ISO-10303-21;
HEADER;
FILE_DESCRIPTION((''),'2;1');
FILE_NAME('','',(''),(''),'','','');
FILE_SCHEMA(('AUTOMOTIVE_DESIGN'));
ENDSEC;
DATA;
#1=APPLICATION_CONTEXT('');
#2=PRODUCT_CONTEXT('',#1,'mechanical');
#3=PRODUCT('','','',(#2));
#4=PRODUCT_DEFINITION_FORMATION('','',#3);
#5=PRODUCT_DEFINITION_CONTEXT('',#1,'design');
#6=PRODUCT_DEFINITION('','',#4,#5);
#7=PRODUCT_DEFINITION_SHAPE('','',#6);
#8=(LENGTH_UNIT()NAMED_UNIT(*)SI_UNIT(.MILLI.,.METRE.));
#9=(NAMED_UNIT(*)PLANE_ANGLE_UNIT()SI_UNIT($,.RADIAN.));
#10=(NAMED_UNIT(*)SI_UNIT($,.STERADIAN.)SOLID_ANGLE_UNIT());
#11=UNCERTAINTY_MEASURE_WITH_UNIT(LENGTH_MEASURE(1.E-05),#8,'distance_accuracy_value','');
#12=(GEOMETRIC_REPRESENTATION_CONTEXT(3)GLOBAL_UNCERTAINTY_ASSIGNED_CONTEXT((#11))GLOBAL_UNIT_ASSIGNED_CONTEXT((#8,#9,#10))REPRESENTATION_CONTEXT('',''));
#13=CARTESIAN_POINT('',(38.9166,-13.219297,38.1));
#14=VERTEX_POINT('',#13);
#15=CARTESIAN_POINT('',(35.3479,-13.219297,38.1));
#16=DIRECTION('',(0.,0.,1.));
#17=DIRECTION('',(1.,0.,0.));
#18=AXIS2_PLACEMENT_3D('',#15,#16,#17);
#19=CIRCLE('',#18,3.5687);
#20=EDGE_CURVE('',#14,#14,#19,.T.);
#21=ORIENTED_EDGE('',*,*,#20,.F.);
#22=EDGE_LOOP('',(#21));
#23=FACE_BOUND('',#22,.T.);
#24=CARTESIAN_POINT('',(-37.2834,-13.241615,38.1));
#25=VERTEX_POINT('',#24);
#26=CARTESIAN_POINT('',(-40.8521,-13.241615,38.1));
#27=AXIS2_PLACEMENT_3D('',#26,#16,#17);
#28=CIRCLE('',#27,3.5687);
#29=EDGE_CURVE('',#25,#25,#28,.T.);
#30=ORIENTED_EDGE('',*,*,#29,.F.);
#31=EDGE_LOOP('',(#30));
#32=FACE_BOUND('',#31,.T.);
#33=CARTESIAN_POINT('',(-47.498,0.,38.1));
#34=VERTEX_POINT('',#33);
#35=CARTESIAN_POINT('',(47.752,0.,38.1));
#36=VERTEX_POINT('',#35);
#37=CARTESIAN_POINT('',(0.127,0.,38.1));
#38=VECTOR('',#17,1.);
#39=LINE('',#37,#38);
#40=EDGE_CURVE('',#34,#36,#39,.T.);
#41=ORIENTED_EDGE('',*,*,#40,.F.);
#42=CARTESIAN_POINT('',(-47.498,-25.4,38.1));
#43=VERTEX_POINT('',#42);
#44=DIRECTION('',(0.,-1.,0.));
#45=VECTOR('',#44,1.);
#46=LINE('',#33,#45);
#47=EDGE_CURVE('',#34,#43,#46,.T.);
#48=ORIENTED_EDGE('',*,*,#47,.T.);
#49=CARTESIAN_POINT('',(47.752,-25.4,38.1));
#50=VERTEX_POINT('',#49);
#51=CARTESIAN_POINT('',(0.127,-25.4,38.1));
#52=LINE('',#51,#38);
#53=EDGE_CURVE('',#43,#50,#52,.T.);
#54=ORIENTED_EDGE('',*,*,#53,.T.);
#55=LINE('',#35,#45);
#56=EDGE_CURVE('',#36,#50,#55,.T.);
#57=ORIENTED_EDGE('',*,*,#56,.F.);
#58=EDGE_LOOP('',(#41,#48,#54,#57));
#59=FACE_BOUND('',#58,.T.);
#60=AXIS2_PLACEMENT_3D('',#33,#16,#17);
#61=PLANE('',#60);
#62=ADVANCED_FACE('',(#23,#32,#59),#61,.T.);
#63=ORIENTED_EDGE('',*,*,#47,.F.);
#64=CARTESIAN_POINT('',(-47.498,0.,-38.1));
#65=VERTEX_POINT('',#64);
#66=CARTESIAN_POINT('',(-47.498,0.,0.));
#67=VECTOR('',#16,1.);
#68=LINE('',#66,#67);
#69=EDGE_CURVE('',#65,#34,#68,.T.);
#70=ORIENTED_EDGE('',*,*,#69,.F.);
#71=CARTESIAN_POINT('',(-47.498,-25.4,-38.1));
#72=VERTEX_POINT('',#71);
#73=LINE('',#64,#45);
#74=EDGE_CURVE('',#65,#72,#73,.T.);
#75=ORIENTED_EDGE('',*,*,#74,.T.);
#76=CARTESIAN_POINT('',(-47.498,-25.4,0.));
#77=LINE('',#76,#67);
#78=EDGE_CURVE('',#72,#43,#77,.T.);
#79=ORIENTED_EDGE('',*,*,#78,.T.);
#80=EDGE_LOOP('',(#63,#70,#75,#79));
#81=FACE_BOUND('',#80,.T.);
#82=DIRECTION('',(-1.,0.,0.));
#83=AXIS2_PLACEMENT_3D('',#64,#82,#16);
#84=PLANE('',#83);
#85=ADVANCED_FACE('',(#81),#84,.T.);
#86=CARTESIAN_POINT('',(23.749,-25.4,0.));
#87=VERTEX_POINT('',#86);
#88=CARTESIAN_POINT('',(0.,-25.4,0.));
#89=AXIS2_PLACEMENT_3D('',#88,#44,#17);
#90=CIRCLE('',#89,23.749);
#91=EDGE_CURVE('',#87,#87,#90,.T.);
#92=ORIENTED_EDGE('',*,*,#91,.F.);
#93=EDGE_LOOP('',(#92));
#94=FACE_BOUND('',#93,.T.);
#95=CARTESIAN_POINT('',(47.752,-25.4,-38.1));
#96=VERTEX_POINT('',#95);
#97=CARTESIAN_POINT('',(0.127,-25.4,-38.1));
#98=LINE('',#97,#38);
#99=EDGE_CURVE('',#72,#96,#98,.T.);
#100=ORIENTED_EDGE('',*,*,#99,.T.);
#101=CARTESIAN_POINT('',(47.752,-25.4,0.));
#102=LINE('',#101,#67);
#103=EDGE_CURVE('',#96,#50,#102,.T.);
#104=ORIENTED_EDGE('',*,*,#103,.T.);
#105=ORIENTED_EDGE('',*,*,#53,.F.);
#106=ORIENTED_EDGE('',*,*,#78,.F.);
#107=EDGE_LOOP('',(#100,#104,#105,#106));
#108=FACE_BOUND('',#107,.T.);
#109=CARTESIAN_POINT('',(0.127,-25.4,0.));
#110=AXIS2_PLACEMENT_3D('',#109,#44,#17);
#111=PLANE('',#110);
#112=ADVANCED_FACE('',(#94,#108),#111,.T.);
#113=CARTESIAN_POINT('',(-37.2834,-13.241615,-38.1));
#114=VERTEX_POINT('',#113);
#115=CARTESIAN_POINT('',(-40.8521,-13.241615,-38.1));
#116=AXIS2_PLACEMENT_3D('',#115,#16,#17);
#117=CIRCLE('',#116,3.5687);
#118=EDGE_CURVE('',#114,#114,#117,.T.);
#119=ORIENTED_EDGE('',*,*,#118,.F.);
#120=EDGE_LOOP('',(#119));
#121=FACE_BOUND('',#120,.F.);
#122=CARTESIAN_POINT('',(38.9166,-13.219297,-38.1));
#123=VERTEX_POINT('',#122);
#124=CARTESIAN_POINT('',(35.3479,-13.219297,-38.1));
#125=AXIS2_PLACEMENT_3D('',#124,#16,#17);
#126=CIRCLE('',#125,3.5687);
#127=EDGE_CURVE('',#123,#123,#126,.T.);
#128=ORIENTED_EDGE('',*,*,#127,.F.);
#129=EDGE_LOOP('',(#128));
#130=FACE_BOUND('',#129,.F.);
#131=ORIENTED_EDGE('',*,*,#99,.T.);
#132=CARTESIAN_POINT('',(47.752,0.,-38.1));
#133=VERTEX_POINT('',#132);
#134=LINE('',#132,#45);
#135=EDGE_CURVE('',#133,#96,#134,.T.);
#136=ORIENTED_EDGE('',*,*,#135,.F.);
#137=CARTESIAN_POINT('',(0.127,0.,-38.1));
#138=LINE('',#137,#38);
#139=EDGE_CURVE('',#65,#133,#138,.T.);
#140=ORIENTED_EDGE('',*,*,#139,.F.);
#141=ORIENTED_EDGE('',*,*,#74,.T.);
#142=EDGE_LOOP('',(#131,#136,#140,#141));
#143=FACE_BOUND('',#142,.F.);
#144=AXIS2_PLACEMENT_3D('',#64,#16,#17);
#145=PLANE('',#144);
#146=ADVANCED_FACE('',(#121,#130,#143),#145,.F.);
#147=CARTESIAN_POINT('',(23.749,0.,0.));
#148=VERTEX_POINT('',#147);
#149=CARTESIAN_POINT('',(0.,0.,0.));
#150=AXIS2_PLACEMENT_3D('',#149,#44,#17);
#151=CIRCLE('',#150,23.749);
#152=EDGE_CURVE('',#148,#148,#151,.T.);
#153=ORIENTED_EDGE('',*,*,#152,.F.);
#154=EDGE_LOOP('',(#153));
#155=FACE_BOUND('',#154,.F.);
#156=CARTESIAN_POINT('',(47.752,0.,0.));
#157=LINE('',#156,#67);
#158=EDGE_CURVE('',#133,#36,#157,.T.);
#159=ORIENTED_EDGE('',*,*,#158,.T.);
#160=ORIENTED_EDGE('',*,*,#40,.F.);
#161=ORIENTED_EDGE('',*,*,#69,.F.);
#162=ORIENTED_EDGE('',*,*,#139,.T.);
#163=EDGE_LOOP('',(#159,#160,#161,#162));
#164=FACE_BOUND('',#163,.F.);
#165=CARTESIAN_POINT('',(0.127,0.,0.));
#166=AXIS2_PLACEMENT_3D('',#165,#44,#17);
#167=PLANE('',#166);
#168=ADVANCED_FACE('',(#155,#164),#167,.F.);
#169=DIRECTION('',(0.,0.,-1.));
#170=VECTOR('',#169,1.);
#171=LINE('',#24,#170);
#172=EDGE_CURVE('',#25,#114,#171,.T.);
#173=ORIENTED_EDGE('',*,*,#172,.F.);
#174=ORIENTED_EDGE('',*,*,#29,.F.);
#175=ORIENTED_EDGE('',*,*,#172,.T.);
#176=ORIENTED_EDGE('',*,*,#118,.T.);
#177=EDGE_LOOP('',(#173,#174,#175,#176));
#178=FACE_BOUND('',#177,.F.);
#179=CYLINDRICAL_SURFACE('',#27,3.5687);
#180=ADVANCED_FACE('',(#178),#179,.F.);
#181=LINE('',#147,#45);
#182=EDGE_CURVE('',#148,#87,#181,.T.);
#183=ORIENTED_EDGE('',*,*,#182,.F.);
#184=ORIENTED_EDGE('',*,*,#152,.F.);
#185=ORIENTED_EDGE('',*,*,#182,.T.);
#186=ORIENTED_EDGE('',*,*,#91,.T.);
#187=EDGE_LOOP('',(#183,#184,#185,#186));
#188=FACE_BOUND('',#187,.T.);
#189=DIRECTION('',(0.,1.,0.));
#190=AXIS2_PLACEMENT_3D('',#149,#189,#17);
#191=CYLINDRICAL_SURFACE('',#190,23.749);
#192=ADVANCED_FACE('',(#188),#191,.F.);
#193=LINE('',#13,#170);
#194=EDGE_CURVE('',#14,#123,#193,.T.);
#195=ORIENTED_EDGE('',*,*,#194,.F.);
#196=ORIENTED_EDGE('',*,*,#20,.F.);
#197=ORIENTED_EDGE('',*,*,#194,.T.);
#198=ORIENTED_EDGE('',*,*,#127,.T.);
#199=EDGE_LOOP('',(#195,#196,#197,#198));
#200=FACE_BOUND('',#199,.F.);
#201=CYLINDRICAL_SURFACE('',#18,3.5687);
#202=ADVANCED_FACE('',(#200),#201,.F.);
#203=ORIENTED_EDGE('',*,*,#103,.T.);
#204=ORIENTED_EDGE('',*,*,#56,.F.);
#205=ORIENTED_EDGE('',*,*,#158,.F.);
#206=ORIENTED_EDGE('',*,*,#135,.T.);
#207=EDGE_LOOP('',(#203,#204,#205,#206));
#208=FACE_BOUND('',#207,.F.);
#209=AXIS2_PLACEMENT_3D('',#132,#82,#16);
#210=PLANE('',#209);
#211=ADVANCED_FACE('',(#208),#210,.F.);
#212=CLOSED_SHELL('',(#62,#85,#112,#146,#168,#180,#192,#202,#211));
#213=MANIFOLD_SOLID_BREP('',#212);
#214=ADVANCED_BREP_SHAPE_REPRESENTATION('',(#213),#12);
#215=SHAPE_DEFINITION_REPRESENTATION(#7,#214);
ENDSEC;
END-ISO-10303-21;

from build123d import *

# Parameters (mm, degrees)
F0_W     = 95.25
F0_H     = 76.2
F0_R     = 23.749
F1_DEPTH = 25.4
F2_R     = 3.5687
F3_DEPTH = 76.201


with BuildPart() as f1:
    # F0 (on Front) → F1 (new body)
    with BuildSketch(Plane.XZ):
        with Locations((0.127, 0)):
            Rectangle(F0_W, F0_H)
        Circle(F0_R, mode=Mode.SUBTRACT)
    extrude(amount=F1_DEPTH)

    # F2 (on face) → F3 (cut, through all)
    with BuildSketch(Plane.XY.offset(38.1)):
        with Locations((-40.8521, -13.241615)):
            Circle(F2_R)
        with Locations((35.3479, -13.219297)):
            Circle(F2_R)
    extrude(amount=-F3_DEPTH, mode=Mode.SUBTRACT)


solid = f1.part
